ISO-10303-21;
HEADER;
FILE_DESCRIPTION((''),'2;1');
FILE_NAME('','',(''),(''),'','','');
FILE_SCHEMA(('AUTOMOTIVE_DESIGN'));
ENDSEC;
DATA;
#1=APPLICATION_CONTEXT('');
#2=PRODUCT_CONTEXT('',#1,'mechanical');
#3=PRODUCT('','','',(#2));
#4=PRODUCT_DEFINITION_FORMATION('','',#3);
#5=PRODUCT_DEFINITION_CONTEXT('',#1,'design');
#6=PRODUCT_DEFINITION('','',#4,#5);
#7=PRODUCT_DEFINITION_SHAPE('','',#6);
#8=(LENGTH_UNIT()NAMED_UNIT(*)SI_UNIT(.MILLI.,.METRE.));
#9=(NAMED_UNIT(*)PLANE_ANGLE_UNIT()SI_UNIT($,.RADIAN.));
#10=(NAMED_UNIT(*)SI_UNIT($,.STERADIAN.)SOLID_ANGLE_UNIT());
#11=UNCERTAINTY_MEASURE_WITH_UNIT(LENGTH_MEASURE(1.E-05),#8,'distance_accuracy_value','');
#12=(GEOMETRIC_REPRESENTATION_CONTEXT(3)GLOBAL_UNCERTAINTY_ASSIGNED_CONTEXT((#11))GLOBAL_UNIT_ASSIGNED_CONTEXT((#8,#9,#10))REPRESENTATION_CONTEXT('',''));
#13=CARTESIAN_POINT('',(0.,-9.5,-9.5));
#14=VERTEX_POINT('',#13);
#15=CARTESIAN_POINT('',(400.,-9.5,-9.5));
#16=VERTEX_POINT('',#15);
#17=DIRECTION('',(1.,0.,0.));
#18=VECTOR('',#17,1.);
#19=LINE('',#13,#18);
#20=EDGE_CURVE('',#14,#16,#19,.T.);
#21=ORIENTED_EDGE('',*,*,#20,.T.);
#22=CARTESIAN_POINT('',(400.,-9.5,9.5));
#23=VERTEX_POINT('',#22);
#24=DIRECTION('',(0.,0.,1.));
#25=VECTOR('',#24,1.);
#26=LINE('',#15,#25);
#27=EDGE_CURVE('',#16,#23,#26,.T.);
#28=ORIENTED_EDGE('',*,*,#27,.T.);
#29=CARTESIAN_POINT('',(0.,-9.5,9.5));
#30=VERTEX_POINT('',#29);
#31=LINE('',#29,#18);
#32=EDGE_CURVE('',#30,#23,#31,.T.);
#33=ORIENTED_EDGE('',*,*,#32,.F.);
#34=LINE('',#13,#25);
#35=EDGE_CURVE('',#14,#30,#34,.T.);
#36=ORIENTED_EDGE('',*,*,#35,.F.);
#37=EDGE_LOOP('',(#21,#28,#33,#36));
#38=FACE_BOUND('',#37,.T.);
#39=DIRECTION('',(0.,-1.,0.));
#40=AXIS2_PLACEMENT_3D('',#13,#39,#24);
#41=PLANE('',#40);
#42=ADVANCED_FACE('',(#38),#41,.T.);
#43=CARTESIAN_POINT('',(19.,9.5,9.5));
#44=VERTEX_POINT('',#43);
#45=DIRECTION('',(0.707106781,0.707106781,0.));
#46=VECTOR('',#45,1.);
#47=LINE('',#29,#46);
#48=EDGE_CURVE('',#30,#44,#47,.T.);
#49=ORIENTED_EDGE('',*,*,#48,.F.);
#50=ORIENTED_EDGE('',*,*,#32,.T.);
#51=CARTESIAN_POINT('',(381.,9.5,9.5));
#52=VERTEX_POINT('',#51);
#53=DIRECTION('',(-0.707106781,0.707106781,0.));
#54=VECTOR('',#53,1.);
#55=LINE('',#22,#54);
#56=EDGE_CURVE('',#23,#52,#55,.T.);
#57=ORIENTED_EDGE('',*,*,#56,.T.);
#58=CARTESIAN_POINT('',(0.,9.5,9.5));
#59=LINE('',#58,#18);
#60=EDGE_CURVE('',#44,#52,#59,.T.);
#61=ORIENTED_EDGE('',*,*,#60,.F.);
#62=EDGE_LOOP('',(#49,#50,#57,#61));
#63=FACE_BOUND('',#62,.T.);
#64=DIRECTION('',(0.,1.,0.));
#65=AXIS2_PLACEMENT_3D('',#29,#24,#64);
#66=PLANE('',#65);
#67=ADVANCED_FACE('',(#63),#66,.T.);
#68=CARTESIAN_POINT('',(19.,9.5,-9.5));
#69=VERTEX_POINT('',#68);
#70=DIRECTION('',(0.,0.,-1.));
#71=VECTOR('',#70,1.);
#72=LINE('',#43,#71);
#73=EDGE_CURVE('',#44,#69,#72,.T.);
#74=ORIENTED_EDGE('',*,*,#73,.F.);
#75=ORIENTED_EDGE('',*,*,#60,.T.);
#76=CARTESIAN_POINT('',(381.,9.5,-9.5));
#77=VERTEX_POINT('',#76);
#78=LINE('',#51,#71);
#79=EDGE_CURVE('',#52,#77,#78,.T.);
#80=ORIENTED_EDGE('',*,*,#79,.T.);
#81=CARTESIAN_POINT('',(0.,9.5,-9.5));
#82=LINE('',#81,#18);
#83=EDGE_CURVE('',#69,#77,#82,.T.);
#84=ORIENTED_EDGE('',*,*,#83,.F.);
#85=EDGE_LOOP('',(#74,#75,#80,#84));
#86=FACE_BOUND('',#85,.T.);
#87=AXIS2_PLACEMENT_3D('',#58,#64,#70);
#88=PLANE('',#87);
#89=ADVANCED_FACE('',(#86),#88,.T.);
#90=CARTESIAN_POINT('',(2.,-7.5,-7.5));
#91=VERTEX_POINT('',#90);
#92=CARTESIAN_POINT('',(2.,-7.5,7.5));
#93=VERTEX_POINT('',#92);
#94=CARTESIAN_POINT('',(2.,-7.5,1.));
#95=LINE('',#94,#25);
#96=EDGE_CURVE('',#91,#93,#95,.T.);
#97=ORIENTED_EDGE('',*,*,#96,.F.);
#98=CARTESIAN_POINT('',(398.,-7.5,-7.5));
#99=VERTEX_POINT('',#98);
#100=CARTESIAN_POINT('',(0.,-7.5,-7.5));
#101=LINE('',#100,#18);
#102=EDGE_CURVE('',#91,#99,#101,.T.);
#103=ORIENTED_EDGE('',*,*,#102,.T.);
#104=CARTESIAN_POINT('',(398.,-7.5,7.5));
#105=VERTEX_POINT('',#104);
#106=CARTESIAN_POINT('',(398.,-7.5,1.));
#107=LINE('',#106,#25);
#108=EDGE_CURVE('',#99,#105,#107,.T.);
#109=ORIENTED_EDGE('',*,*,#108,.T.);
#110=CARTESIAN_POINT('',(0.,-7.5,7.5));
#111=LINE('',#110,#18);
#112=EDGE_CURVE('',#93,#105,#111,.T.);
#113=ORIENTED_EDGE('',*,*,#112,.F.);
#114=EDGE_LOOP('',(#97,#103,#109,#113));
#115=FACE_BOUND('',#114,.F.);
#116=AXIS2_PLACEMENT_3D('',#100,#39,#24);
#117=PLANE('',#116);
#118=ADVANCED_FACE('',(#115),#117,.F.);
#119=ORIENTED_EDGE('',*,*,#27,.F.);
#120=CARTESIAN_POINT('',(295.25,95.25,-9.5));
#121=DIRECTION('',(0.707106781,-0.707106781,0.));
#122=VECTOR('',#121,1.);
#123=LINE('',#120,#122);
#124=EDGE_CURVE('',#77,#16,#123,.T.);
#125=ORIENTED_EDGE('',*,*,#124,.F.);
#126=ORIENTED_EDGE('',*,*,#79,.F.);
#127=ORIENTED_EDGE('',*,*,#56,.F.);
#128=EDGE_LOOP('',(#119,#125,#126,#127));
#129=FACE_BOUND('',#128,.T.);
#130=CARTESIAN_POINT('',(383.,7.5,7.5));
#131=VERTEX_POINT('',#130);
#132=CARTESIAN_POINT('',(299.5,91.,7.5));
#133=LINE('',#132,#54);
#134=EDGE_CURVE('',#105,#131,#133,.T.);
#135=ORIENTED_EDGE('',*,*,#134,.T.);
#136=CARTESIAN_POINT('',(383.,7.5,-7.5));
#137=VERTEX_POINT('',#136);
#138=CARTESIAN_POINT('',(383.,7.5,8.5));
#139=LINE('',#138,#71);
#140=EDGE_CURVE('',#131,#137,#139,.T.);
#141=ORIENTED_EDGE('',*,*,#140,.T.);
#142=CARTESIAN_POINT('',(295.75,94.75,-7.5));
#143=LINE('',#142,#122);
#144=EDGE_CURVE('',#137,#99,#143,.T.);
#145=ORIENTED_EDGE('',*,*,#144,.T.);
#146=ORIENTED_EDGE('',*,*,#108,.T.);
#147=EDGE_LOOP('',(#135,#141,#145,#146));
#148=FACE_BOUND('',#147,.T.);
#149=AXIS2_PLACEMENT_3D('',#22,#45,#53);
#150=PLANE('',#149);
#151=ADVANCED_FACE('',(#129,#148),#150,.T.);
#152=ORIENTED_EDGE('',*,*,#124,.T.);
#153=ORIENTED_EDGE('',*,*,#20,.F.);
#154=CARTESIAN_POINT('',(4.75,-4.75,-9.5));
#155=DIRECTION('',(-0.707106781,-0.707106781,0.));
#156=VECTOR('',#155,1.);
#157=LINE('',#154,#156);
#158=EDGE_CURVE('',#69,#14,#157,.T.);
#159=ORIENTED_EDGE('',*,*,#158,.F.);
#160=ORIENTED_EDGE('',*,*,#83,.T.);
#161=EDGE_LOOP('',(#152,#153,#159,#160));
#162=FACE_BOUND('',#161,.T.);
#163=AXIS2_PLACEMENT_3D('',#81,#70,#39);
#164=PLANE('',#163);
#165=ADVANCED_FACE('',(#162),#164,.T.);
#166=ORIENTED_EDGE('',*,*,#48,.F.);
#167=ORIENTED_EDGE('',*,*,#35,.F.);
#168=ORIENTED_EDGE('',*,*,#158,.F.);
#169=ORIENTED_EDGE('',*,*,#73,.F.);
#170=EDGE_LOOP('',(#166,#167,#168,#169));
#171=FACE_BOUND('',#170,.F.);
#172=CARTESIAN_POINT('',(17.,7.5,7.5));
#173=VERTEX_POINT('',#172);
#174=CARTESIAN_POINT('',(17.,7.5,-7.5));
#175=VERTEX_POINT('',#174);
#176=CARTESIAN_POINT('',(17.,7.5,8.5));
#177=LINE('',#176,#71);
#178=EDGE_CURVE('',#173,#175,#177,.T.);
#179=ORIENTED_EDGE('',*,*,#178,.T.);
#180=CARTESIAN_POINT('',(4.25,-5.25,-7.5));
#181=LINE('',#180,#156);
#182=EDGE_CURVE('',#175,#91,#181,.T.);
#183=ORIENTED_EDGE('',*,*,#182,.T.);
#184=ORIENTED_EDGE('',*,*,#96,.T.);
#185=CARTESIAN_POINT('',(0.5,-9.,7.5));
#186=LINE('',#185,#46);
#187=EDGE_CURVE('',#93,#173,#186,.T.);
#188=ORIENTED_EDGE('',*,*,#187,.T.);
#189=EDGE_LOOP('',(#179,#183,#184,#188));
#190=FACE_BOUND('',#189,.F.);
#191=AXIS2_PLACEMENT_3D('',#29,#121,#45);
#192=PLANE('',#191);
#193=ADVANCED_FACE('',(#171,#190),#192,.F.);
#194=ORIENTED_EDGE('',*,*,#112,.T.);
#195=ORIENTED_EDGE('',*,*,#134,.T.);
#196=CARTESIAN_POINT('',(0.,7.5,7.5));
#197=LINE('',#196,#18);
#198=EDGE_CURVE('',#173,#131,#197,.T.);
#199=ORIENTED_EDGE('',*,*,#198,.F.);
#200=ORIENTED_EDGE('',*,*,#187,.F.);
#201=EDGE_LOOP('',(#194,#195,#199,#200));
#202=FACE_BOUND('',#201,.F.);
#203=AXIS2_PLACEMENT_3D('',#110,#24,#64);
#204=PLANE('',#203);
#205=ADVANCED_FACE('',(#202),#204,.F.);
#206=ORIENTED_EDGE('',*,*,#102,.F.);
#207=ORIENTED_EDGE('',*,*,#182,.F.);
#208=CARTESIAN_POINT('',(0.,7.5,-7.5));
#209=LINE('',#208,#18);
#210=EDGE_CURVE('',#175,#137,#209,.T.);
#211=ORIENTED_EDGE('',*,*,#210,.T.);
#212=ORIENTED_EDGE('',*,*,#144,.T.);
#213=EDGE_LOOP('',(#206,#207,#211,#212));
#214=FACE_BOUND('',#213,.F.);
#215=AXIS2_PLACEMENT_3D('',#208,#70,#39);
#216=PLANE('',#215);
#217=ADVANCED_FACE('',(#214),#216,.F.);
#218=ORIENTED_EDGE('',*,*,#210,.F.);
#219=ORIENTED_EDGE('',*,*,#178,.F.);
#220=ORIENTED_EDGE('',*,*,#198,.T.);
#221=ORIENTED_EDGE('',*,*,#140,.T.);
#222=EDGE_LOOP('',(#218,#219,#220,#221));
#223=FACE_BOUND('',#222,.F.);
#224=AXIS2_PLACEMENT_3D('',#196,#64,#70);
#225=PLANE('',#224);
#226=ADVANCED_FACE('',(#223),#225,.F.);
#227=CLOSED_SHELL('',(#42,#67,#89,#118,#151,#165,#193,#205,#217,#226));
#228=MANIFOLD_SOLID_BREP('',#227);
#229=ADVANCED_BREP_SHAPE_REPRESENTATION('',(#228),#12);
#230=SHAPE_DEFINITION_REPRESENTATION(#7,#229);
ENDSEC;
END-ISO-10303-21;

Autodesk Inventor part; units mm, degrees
ref_plane "YZ Plane" through (0, 0, 0) normal (1, 0, 0) x (0, 1, 0)
ref_plane "XZ Plane" through (0, 0, 0) normal (0, 1, 0) x (-1, 0, 0)
ref_plane "XY Plane" through (0, 0, 0) normal (0, 0, 1) x (1, 0, 0)
sketch "Sketch1" plane through (0, 0, 0) normal (1, 0, 0) x (0, 1, 0)
  line L0 (-9.5, 9.5) -> (9.5, 9.5)
  line L1 (9.5, 9.5) -> (9.5, -9.5)
  line L2 (9.5, -9.5) -> (-9.5, -9.5)
  line L3 (-9.5, -9.5) -> (-9.5, 9.5)
  line L4 (-9.5, 9.5) -> (9.5, -9.5) construction
  line L5 (9.5, 9.5) -> (-9.5, -9.5) construction
  line L6 (-7.5, 7.5) -> (7.5, 7.5)
  line L7 (7.5, 7.5) -> (7.5, -7.5)
  line L8 (7.5, -7.5) -> (-7.5, -7.5)
  line L9 (-7.5, -7.5) -> (-7.5, 7.5)
  line L10 (-7.5, 7.5) -> (7.5, -7.5) construction
  line L11 (7.5, 7.5) -> (-7.5, -7.5) construction
  point P0 (0, 0)
  dimension "d0" = 2
  dimension "d1" = 2
  dimension "d2" = 19
  dimension "d3" = 19
extrude "Extrusion1" add sketch "Sketch1" along normal blind 400
sketch "Sketch2" plane through (0, -9.5, 9.5) normal (0, 0, 1) x (1, 0, 0)
  line L0 (0, 19) -> (0, 0) projected
  line L1 (0, 19) -> (400, 19) projected
  line L2 (400, 19) -> (400, 0) projected
  line L3 (0, 0) -> (400, 0) projected
  line L4 (0, 0) -> (19, 19)
  line L5 (400, 0) -> (381, 19)
  point P0 (0, 9.5)
  dimension "d10" = 45
  dimension "d11" = 45
extrude "Extrusion2" cut sketch "Sketch2" against normal through all contours L1 L4 L0 | L5 L1 L2
equation "\"d1\" = d0"
properties part number "RS2_TubeFoot" material "Steel"
